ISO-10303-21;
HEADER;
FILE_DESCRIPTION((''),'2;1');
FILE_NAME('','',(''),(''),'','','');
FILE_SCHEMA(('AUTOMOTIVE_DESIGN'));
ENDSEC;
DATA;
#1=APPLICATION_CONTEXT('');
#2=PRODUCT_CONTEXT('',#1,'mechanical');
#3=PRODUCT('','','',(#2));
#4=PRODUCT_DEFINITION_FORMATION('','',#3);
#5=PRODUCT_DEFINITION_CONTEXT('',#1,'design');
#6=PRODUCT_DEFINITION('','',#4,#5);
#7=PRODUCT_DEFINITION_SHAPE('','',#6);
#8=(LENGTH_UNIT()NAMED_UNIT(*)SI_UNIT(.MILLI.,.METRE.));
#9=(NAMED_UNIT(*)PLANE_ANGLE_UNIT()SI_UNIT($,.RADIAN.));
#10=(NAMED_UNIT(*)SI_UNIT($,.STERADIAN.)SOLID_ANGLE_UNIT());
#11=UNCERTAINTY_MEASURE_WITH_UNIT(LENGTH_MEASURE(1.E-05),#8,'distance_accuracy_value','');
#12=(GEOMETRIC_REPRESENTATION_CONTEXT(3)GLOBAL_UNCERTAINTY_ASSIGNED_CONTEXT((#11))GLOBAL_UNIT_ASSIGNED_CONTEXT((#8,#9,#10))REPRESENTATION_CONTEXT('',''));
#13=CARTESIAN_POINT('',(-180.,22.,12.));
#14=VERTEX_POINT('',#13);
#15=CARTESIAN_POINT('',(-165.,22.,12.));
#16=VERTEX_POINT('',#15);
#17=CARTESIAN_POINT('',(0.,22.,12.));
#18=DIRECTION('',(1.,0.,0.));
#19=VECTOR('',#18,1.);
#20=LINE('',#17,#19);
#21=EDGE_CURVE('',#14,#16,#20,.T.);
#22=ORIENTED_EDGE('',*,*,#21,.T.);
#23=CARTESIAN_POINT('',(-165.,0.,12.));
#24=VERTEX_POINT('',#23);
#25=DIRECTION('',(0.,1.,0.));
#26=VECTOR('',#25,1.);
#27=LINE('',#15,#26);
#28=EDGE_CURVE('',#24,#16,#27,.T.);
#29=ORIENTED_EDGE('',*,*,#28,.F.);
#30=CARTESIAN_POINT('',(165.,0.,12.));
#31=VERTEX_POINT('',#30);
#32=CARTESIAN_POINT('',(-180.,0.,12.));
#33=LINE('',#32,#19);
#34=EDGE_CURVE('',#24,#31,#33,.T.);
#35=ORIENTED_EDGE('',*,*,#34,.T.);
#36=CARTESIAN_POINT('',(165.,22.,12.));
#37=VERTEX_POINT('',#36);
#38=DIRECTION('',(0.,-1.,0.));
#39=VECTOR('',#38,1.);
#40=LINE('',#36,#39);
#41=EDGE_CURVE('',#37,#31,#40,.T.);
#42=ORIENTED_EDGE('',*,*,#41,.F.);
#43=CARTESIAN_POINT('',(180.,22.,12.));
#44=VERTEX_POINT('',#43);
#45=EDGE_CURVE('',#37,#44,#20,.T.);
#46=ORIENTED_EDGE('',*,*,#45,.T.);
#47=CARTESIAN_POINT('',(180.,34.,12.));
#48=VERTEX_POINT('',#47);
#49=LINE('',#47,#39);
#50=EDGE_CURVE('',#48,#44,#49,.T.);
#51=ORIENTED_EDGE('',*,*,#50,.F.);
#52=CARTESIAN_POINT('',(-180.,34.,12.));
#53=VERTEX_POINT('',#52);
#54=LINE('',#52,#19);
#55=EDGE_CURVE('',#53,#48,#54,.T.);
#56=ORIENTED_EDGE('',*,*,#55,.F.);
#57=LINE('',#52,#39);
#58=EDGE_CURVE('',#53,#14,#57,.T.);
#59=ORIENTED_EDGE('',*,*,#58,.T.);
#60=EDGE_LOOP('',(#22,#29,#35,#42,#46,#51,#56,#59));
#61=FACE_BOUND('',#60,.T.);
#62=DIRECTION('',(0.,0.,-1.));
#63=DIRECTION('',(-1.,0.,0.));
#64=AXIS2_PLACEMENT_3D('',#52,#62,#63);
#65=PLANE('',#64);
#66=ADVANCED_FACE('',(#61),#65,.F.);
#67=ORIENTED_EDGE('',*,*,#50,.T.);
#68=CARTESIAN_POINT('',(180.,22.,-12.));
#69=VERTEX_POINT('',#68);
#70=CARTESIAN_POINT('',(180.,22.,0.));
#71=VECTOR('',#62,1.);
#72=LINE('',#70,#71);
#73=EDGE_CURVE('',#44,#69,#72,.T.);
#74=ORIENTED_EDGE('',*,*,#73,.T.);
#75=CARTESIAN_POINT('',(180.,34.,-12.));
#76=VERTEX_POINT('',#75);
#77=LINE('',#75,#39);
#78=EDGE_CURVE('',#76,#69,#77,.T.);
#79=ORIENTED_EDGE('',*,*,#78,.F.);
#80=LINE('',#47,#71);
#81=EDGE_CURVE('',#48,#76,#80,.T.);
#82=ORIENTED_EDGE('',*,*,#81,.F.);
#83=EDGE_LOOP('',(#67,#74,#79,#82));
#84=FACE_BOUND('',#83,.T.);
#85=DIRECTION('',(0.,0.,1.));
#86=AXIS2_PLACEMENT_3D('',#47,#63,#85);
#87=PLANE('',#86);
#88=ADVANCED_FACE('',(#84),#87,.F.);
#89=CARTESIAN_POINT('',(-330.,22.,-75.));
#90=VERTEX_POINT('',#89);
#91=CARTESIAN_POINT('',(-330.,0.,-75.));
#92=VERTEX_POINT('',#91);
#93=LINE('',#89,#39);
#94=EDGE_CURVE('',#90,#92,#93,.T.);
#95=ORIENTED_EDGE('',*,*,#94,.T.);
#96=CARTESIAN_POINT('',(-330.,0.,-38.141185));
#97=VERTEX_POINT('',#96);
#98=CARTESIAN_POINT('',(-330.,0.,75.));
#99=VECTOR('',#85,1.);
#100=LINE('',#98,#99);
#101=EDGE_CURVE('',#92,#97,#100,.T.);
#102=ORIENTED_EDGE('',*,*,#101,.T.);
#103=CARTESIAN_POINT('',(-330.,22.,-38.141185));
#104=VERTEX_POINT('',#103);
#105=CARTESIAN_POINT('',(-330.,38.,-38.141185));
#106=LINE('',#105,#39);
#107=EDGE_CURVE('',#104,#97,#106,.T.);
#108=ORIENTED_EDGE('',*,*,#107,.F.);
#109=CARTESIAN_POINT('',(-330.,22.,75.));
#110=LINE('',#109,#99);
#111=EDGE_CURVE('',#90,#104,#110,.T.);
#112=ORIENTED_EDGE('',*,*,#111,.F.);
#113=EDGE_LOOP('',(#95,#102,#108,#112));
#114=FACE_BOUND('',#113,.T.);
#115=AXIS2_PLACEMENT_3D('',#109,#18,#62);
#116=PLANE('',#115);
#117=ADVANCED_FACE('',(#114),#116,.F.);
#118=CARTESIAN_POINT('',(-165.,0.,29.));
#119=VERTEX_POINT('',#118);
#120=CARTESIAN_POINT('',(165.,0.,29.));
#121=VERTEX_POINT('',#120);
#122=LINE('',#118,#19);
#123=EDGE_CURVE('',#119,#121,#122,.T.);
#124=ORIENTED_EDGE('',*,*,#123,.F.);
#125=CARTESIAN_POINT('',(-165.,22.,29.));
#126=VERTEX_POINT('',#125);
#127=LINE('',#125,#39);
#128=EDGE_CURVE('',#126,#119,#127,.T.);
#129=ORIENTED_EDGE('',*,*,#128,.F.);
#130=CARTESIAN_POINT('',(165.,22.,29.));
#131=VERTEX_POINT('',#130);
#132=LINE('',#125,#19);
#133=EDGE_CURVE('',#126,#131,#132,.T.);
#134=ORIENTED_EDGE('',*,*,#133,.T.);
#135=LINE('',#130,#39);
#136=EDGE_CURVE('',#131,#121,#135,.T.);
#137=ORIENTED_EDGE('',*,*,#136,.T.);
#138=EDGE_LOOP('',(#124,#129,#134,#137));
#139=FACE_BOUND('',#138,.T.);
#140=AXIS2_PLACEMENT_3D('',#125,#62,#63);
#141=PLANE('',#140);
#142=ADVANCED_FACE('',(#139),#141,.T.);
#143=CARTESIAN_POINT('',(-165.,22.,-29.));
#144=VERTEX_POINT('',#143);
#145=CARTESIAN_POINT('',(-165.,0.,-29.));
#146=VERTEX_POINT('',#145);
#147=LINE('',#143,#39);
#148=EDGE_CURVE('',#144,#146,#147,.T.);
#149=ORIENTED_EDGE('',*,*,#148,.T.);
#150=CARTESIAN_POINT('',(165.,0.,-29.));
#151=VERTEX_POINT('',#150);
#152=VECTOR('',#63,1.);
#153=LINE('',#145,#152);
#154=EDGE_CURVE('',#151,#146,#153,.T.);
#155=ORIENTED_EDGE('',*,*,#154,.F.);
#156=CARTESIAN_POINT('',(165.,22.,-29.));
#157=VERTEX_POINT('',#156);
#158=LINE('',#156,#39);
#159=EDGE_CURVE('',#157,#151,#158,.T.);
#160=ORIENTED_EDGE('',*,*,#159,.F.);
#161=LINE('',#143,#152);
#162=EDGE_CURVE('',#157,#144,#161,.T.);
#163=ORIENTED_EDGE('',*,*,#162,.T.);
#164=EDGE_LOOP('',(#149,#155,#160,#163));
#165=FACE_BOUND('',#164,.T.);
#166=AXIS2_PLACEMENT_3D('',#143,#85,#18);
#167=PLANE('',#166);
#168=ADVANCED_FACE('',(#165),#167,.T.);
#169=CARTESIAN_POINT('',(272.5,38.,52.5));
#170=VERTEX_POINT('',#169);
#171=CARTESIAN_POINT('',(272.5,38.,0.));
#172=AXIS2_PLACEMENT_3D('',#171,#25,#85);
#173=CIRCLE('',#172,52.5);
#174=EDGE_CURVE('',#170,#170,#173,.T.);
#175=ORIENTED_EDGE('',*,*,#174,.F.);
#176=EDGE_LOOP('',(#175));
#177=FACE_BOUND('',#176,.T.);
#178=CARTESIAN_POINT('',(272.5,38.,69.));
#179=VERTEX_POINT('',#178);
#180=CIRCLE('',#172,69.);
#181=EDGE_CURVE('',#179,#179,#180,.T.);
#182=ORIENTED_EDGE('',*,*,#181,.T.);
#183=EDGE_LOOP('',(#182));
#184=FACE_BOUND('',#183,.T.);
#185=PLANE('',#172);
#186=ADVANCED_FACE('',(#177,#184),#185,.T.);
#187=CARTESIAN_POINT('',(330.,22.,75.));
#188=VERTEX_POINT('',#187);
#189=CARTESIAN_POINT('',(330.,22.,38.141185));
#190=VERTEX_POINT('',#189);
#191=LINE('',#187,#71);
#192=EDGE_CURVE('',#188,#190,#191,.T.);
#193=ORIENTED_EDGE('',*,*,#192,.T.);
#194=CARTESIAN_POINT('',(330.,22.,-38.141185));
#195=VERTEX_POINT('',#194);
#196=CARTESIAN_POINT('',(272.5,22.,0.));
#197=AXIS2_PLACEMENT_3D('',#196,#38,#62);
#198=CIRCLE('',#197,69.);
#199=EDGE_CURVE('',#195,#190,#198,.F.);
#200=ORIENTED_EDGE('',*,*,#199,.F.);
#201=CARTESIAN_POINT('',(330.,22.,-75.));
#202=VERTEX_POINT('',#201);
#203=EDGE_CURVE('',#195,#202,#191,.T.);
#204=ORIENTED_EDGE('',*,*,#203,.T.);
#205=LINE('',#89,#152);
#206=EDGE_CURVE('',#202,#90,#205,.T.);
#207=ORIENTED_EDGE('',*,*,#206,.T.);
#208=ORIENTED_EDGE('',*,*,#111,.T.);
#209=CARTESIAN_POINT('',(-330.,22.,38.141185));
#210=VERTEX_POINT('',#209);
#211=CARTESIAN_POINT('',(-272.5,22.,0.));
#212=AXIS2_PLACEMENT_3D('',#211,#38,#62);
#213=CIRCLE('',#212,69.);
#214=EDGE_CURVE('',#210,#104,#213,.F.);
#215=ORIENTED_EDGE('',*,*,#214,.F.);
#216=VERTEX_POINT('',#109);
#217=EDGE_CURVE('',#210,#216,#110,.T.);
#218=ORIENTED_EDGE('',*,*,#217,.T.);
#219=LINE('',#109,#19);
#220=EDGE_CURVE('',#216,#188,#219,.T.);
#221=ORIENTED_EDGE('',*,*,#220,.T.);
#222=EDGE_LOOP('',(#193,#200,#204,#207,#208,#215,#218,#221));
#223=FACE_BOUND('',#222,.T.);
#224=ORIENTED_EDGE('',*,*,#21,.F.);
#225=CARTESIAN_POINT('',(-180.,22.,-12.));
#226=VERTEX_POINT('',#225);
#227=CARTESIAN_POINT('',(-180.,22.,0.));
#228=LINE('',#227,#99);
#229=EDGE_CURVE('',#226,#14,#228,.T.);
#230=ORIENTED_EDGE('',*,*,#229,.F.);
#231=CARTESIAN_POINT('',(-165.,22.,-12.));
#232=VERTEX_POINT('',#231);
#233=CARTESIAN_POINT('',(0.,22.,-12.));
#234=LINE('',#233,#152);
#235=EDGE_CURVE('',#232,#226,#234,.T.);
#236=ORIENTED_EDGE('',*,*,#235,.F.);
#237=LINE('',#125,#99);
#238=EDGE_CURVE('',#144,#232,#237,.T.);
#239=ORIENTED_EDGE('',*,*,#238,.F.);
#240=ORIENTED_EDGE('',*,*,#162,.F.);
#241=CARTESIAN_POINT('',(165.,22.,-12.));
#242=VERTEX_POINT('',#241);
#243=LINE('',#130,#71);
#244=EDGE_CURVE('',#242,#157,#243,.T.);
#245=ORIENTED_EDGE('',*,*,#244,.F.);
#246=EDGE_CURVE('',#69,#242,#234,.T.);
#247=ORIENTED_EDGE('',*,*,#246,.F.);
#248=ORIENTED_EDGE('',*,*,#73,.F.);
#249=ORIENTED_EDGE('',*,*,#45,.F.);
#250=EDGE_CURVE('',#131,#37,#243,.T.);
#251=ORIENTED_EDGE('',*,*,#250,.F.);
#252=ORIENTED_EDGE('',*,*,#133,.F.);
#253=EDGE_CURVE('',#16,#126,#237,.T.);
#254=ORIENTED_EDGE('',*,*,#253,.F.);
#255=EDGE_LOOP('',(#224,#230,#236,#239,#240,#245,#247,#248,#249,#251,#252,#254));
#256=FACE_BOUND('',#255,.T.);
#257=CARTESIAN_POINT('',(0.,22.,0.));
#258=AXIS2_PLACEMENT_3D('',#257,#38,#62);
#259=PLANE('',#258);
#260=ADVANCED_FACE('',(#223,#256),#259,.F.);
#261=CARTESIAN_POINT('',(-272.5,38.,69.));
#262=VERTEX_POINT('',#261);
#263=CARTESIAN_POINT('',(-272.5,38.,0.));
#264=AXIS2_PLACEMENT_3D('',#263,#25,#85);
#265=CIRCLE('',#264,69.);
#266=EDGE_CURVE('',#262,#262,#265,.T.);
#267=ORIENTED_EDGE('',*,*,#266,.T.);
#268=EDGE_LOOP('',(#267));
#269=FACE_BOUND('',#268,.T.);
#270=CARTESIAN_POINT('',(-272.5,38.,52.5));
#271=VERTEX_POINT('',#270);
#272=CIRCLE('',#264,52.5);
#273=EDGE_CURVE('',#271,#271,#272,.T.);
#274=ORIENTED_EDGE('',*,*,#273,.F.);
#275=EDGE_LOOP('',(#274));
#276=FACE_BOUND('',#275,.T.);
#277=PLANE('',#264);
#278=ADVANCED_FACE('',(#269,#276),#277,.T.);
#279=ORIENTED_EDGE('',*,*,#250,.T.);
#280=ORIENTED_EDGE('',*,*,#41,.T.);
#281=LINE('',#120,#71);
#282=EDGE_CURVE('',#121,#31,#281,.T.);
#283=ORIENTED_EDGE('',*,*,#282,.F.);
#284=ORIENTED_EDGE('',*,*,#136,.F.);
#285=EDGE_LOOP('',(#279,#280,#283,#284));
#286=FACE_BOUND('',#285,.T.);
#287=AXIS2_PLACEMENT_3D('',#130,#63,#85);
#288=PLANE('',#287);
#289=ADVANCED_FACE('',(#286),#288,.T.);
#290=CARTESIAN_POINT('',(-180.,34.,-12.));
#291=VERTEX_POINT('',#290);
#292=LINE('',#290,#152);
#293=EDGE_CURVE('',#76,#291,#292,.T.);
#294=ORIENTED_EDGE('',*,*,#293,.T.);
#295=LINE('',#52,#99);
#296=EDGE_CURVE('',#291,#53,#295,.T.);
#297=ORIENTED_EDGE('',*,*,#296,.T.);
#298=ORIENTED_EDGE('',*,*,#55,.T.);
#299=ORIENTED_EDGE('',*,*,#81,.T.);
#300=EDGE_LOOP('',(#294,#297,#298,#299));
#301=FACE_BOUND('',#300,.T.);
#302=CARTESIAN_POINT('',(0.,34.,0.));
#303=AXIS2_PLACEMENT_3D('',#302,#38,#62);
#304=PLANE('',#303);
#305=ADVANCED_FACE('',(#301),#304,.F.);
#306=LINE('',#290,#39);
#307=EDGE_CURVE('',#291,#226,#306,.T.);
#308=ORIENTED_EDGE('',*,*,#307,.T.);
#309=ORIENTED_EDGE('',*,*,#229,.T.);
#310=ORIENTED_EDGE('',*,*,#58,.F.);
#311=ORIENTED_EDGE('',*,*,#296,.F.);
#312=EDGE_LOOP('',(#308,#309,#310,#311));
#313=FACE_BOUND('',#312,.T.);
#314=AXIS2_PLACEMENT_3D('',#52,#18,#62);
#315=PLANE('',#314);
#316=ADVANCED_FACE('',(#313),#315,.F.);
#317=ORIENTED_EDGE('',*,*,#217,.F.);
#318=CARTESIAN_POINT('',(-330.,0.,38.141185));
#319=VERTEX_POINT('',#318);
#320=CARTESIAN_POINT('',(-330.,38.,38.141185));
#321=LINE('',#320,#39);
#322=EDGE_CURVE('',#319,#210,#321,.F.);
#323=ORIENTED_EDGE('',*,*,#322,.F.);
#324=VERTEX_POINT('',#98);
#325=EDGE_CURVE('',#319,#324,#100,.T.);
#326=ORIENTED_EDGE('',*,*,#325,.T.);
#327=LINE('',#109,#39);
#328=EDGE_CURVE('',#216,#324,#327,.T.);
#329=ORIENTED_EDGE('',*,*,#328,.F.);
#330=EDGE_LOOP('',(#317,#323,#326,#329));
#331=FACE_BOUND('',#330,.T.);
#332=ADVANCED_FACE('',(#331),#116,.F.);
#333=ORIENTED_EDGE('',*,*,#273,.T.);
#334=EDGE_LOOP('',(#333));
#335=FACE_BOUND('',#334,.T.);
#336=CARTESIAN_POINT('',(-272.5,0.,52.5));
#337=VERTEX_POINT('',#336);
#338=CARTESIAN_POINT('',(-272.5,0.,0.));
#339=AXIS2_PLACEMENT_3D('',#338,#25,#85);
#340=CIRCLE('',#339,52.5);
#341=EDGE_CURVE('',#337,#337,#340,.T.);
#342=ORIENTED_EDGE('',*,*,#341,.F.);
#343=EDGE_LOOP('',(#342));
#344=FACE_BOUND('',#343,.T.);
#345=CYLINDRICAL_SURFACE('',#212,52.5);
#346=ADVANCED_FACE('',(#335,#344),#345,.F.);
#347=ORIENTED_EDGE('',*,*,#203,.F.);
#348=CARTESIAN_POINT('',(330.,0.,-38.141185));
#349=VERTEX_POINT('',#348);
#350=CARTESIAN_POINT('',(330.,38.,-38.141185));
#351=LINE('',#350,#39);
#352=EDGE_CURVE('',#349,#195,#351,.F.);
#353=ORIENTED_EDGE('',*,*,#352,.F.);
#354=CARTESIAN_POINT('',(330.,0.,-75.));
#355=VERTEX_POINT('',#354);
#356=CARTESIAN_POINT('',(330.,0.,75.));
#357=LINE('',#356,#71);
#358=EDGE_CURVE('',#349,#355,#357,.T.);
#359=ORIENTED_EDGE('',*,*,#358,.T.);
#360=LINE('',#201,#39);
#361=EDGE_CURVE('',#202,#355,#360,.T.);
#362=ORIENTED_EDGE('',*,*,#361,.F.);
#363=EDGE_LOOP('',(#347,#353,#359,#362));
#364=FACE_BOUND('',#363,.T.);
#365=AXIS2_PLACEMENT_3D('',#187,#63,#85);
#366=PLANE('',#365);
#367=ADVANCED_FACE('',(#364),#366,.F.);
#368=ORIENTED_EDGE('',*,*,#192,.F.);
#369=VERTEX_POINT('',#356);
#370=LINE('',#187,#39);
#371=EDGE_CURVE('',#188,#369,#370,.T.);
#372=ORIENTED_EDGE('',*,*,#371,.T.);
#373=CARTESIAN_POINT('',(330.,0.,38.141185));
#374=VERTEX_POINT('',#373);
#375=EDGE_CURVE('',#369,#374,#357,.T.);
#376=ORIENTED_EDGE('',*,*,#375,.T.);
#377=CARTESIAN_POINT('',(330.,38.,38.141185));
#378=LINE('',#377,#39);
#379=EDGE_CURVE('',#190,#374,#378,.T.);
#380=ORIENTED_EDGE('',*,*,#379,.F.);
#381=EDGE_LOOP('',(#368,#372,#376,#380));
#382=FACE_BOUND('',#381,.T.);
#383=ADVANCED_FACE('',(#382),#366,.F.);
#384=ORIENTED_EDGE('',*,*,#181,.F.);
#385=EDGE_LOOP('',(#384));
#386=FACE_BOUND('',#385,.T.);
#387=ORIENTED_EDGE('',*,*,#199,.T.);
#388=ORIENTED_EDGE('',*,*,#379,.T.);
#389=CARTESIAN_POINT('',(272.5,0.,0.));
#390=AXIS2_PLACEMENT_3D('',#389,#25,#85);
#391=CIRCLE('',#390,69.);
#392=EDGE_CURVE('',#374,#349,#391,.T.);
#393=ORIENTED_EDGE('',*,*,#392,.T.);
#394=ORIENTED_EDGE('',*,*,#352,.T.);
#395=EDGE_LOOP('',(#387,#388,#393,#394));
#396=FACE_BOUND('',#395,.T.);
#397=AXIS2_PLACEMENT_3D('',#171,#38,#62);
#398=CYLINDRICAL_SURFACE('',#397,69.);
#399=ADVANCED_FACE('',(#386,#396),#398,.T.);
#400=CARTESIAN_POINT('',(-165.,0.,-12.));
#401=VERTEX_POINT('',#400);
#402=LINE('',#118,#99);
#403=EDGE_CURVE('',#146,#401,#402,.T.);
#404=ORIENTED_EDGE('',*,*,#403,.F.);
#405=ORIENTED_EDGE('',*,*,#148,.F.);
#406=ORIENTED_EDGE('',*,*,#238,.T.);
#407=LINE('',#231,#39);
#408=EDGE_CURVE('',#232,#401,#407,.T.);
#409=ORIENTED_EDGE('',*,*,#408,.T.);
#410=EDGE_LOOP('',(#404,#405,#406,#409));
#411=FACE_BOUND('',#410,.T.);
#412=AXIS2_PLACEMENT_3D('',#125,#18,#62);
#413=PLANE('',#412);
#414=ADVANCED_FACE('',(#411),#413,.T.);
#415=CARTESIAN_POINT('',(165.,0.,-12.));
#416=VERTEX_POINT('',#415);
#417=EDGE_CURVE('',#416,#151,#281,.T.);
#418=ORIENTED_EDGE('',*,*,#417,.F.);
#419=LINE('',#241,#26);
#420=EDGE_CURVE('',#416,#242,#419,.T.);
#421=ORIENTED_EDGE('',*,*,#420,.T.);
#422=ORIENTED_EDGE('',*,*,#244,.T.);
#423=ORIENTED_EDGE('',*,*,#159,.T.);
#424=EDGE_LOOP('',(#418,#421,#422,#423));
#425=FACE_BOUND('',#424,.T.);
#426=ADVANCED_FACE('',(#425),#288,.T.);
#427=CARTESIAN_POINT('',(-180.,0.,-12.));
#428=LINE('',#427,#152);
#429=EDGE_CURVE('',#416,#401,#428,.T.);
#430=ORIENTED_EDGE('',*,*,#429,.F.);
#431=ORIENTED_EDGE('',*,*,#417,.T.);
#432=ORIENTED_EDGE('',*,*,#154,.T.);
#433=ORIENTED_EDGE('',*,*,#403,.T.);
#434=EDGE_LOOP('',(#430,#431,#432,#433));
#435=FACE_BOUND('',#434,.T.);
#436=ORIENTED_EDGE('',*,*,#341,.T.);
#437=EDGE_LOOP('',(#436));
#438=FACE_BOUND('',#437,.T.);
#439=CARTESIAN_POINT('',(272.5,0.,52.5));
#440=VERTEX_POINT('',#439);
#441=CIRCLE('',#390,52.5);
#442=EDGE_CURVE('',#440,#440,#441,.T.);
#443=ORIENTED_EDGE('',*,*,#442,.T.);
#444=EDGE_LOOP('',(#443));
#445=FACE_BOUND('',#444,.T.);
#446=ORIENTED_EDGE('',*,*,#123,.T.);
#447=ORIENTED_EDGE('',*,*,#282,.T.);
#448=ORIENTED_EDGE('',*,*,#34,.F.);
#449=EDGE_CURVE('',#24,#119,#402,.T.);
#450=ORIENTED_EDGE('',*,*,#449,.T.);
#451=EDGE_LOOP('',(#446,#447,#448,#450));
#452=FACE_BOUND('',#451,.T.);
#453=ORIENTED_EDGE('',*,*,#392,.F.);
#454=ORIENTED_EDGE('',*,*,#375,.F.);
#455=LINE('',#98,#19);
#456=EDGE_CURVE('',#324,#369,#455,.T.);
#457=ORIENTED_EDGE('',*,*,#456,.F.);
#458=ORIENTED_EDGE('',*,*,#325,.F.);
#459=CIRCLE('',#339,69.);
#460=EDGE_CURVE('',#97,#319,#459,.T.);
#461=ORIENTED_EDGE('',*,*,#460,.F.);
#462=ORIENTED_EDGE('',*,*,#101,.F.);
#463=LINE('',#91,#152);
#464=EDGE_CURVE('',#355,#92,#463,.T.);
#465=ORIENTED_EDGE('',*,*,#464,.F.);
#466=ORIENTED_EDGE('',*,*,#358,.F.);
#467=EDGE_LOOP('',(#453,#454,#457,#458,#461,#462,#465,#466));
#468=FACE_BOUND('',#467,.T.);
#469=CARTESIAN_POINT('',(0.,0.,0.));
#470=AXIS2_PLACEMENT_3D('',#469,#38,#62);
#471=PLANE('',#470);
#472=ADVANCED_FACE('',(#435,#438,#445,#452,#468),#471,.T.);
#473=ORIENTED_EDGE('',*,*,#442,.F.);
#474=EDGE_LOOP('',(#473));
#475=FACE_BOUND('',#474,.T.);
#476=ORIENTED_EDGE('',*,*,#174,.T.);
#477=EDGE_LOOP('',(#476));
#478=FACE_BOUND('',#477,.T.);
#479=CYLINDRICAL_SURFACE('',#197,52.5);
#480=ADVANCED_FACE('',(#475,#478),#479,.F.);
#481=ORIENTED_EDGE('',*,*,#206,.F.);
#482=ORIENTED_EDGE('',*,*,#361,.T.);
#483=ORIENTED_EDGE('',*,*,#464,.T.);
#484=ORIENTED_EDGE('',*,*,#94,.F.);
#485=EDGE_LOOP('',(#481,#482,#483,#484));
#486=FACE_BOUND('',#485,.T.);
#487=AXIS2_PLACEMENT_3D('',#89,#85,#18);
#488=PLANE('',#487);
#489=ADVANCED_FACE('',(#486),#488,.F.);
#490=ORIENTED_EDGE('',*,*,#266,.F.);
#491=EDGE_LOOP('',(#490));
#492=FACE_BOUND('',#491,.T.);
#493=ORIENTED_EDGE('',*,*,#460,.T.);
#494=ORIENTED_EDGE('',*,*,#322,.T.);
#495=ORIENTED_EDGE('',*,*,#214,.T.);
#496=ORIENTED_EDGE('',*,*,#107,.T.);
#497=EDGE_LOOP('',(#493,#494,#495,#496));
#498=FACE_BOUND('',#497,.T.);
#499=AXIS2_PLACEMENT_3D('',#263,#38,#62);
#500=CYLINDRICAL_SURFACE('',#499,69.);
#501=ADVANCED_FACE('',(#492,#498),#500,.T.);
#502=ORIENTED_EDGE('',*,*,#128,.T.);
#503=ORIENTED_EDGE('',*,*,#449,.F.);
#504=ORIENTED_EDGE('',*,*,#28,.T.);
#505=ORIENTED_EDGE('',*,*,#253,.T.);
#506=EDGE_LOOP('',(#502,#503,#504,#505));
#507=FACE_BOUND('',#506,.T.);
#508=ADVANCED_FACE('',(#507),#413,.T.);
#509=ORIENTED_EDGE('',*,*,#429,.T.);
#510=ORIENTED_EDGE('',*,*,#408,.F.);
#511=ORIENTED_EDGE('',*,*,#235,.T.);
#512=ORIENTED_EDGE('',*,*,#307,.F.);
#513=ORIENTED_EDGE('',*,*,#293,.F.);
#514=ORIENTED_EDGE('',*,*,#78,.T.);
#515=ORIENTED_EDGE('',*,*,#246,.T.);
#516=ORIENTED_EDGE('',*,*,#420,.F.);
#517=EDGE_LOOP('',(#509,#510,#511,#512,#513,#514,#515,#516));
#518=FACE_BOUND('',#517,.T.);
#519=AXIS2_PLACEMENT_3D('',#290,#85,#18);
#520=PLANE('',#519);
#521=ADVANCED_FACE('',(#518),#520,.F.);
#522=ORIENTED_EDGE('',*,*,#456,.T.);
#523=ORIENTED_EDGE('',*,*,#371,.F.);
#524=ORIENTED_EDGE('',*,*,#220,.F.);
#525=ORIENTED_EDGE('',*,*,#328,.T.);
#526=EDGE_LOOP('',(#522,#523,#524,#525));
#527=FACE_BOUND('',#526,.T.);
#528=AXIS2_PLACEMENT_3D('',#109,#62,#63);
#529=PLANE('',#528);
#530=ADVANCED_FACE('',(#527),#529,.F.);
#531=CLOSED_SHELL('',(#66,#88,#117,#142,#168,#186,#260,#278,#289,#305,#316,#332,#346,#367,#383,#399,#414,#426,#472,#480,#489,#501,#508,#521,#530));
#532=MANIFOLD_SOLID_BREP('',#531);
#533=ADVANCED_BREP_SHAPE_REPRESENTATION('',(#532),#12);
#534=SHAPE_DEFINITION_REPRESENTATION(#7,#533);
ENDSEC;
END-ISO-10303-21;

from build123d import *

# Parameters (mm, degrees)
F_01_LINK_PROFILE_W            = 660
F_01_LINK_PROFILE_H            = 150
F_01_LINK_PROFILE_R            = 52.5
F_01_LINK_PROFILE_W_2          = 330
F_01_LINK_PROFILE_H_2          = 58
F_01_LINK_PLATE_DEPTH          = 22
F_02_END_BOSS_PROFILES_R       = 69
F_02_END_BOSS_PROFILES_R_2     = 52.5
F_02_BEARING_SEAT_BOSSES_DEPTH = 38
F_03_CENTER_RIB_PROFILE_W      = 360
F_03_CENTER_RIB_PROFILE_H      = 24
F_03_CENTER_RIB_DEPTH          = 34


with BuildPart() as part:
    # 01_Link_Profile → 01_Link_Plate (new body)
    with BuildSketch(Plane(origin=(0, 0, 0), x_dir=(1, 0, 0), z_dir=(0, 1, 0))):
        Rectangle(F_01_LINK_PROFILE_W, F_01_LINK_PROFILE_H)
        with Locations(Location((-272.5, 0, 0), (0, 0, 270))):
            Circle(F_01_LINK_PROFILE_R, mode=Mode.SUBTRACT)
        with Locations(Location((272.5, 0, 0), (0, 0, 270))):
            Circle(F_01_LINK_PROFILE_R, mode=Mode.SUBTRACT)
        Rectangle(F_01_LINK_PROFILE_W_2, F_01_LINK_PROFILE_H_2, mode=Mode.SUBTRACT)
    extrude(amount=F_01_LINK_PLATE_DEPTH)

    # 02_End_Boss_Profiles → 02_Bearing_Seat_Bosses (add)
    # profile 1 of 2: a face of its own
    with BuildSketch(Plane(origin=(0, 0, 0), x_dir=(1, 0, 0), z_dir=(0, 1, 0))):
        with Locations(Location((-272.5, 0, 0), (0, 0, 146.442690238))):
            Circle(F_02_END_BOSS_PROFILES_R)
        with Locations(Location((-272.5, 0, 0), (0, 0, 270))):
            Circle(F_02_END_BOSS_PROFILES_R_2, mode=Mode.SUBTRACT)
    # profile 2 of 2: a face of its own
    with BuildSketch(Plane(origin=(0, 0, 0), x_dir=(1, 0, 0), z_dir=(0, 1, 0))):
        with Locations(Location((272.5, 0, 0), (0, 0, 33.557309762))):
            Circle(F_02_END_BOSS_PROFILES_R)
        with Locations(Location((272.5, 0, 0), (0, 0, 270))):
            Circle(F_02_END_BOSS_PROFILES_R_2, mode=Mode.SUBTRACT)
    extrude(amount=F_02_BEARING_SEAT_BOSSES_DEPTH)

    # 03_Center_Rib_Profile → 03_Center_Rib (add)
    with BuildSketch(Plane(origin=(0, 0, 0), x_dir=(1, 0, 0), z_dir=(0, 1, 0))):
        Rectangle(F_03_CENTER_RIB_PROFILE_W, F_03_CENTER_RIB_PROFILE_H)
    extrude(amount=F_03_CENTER_RIB_DEPTH)


solid = part.part
